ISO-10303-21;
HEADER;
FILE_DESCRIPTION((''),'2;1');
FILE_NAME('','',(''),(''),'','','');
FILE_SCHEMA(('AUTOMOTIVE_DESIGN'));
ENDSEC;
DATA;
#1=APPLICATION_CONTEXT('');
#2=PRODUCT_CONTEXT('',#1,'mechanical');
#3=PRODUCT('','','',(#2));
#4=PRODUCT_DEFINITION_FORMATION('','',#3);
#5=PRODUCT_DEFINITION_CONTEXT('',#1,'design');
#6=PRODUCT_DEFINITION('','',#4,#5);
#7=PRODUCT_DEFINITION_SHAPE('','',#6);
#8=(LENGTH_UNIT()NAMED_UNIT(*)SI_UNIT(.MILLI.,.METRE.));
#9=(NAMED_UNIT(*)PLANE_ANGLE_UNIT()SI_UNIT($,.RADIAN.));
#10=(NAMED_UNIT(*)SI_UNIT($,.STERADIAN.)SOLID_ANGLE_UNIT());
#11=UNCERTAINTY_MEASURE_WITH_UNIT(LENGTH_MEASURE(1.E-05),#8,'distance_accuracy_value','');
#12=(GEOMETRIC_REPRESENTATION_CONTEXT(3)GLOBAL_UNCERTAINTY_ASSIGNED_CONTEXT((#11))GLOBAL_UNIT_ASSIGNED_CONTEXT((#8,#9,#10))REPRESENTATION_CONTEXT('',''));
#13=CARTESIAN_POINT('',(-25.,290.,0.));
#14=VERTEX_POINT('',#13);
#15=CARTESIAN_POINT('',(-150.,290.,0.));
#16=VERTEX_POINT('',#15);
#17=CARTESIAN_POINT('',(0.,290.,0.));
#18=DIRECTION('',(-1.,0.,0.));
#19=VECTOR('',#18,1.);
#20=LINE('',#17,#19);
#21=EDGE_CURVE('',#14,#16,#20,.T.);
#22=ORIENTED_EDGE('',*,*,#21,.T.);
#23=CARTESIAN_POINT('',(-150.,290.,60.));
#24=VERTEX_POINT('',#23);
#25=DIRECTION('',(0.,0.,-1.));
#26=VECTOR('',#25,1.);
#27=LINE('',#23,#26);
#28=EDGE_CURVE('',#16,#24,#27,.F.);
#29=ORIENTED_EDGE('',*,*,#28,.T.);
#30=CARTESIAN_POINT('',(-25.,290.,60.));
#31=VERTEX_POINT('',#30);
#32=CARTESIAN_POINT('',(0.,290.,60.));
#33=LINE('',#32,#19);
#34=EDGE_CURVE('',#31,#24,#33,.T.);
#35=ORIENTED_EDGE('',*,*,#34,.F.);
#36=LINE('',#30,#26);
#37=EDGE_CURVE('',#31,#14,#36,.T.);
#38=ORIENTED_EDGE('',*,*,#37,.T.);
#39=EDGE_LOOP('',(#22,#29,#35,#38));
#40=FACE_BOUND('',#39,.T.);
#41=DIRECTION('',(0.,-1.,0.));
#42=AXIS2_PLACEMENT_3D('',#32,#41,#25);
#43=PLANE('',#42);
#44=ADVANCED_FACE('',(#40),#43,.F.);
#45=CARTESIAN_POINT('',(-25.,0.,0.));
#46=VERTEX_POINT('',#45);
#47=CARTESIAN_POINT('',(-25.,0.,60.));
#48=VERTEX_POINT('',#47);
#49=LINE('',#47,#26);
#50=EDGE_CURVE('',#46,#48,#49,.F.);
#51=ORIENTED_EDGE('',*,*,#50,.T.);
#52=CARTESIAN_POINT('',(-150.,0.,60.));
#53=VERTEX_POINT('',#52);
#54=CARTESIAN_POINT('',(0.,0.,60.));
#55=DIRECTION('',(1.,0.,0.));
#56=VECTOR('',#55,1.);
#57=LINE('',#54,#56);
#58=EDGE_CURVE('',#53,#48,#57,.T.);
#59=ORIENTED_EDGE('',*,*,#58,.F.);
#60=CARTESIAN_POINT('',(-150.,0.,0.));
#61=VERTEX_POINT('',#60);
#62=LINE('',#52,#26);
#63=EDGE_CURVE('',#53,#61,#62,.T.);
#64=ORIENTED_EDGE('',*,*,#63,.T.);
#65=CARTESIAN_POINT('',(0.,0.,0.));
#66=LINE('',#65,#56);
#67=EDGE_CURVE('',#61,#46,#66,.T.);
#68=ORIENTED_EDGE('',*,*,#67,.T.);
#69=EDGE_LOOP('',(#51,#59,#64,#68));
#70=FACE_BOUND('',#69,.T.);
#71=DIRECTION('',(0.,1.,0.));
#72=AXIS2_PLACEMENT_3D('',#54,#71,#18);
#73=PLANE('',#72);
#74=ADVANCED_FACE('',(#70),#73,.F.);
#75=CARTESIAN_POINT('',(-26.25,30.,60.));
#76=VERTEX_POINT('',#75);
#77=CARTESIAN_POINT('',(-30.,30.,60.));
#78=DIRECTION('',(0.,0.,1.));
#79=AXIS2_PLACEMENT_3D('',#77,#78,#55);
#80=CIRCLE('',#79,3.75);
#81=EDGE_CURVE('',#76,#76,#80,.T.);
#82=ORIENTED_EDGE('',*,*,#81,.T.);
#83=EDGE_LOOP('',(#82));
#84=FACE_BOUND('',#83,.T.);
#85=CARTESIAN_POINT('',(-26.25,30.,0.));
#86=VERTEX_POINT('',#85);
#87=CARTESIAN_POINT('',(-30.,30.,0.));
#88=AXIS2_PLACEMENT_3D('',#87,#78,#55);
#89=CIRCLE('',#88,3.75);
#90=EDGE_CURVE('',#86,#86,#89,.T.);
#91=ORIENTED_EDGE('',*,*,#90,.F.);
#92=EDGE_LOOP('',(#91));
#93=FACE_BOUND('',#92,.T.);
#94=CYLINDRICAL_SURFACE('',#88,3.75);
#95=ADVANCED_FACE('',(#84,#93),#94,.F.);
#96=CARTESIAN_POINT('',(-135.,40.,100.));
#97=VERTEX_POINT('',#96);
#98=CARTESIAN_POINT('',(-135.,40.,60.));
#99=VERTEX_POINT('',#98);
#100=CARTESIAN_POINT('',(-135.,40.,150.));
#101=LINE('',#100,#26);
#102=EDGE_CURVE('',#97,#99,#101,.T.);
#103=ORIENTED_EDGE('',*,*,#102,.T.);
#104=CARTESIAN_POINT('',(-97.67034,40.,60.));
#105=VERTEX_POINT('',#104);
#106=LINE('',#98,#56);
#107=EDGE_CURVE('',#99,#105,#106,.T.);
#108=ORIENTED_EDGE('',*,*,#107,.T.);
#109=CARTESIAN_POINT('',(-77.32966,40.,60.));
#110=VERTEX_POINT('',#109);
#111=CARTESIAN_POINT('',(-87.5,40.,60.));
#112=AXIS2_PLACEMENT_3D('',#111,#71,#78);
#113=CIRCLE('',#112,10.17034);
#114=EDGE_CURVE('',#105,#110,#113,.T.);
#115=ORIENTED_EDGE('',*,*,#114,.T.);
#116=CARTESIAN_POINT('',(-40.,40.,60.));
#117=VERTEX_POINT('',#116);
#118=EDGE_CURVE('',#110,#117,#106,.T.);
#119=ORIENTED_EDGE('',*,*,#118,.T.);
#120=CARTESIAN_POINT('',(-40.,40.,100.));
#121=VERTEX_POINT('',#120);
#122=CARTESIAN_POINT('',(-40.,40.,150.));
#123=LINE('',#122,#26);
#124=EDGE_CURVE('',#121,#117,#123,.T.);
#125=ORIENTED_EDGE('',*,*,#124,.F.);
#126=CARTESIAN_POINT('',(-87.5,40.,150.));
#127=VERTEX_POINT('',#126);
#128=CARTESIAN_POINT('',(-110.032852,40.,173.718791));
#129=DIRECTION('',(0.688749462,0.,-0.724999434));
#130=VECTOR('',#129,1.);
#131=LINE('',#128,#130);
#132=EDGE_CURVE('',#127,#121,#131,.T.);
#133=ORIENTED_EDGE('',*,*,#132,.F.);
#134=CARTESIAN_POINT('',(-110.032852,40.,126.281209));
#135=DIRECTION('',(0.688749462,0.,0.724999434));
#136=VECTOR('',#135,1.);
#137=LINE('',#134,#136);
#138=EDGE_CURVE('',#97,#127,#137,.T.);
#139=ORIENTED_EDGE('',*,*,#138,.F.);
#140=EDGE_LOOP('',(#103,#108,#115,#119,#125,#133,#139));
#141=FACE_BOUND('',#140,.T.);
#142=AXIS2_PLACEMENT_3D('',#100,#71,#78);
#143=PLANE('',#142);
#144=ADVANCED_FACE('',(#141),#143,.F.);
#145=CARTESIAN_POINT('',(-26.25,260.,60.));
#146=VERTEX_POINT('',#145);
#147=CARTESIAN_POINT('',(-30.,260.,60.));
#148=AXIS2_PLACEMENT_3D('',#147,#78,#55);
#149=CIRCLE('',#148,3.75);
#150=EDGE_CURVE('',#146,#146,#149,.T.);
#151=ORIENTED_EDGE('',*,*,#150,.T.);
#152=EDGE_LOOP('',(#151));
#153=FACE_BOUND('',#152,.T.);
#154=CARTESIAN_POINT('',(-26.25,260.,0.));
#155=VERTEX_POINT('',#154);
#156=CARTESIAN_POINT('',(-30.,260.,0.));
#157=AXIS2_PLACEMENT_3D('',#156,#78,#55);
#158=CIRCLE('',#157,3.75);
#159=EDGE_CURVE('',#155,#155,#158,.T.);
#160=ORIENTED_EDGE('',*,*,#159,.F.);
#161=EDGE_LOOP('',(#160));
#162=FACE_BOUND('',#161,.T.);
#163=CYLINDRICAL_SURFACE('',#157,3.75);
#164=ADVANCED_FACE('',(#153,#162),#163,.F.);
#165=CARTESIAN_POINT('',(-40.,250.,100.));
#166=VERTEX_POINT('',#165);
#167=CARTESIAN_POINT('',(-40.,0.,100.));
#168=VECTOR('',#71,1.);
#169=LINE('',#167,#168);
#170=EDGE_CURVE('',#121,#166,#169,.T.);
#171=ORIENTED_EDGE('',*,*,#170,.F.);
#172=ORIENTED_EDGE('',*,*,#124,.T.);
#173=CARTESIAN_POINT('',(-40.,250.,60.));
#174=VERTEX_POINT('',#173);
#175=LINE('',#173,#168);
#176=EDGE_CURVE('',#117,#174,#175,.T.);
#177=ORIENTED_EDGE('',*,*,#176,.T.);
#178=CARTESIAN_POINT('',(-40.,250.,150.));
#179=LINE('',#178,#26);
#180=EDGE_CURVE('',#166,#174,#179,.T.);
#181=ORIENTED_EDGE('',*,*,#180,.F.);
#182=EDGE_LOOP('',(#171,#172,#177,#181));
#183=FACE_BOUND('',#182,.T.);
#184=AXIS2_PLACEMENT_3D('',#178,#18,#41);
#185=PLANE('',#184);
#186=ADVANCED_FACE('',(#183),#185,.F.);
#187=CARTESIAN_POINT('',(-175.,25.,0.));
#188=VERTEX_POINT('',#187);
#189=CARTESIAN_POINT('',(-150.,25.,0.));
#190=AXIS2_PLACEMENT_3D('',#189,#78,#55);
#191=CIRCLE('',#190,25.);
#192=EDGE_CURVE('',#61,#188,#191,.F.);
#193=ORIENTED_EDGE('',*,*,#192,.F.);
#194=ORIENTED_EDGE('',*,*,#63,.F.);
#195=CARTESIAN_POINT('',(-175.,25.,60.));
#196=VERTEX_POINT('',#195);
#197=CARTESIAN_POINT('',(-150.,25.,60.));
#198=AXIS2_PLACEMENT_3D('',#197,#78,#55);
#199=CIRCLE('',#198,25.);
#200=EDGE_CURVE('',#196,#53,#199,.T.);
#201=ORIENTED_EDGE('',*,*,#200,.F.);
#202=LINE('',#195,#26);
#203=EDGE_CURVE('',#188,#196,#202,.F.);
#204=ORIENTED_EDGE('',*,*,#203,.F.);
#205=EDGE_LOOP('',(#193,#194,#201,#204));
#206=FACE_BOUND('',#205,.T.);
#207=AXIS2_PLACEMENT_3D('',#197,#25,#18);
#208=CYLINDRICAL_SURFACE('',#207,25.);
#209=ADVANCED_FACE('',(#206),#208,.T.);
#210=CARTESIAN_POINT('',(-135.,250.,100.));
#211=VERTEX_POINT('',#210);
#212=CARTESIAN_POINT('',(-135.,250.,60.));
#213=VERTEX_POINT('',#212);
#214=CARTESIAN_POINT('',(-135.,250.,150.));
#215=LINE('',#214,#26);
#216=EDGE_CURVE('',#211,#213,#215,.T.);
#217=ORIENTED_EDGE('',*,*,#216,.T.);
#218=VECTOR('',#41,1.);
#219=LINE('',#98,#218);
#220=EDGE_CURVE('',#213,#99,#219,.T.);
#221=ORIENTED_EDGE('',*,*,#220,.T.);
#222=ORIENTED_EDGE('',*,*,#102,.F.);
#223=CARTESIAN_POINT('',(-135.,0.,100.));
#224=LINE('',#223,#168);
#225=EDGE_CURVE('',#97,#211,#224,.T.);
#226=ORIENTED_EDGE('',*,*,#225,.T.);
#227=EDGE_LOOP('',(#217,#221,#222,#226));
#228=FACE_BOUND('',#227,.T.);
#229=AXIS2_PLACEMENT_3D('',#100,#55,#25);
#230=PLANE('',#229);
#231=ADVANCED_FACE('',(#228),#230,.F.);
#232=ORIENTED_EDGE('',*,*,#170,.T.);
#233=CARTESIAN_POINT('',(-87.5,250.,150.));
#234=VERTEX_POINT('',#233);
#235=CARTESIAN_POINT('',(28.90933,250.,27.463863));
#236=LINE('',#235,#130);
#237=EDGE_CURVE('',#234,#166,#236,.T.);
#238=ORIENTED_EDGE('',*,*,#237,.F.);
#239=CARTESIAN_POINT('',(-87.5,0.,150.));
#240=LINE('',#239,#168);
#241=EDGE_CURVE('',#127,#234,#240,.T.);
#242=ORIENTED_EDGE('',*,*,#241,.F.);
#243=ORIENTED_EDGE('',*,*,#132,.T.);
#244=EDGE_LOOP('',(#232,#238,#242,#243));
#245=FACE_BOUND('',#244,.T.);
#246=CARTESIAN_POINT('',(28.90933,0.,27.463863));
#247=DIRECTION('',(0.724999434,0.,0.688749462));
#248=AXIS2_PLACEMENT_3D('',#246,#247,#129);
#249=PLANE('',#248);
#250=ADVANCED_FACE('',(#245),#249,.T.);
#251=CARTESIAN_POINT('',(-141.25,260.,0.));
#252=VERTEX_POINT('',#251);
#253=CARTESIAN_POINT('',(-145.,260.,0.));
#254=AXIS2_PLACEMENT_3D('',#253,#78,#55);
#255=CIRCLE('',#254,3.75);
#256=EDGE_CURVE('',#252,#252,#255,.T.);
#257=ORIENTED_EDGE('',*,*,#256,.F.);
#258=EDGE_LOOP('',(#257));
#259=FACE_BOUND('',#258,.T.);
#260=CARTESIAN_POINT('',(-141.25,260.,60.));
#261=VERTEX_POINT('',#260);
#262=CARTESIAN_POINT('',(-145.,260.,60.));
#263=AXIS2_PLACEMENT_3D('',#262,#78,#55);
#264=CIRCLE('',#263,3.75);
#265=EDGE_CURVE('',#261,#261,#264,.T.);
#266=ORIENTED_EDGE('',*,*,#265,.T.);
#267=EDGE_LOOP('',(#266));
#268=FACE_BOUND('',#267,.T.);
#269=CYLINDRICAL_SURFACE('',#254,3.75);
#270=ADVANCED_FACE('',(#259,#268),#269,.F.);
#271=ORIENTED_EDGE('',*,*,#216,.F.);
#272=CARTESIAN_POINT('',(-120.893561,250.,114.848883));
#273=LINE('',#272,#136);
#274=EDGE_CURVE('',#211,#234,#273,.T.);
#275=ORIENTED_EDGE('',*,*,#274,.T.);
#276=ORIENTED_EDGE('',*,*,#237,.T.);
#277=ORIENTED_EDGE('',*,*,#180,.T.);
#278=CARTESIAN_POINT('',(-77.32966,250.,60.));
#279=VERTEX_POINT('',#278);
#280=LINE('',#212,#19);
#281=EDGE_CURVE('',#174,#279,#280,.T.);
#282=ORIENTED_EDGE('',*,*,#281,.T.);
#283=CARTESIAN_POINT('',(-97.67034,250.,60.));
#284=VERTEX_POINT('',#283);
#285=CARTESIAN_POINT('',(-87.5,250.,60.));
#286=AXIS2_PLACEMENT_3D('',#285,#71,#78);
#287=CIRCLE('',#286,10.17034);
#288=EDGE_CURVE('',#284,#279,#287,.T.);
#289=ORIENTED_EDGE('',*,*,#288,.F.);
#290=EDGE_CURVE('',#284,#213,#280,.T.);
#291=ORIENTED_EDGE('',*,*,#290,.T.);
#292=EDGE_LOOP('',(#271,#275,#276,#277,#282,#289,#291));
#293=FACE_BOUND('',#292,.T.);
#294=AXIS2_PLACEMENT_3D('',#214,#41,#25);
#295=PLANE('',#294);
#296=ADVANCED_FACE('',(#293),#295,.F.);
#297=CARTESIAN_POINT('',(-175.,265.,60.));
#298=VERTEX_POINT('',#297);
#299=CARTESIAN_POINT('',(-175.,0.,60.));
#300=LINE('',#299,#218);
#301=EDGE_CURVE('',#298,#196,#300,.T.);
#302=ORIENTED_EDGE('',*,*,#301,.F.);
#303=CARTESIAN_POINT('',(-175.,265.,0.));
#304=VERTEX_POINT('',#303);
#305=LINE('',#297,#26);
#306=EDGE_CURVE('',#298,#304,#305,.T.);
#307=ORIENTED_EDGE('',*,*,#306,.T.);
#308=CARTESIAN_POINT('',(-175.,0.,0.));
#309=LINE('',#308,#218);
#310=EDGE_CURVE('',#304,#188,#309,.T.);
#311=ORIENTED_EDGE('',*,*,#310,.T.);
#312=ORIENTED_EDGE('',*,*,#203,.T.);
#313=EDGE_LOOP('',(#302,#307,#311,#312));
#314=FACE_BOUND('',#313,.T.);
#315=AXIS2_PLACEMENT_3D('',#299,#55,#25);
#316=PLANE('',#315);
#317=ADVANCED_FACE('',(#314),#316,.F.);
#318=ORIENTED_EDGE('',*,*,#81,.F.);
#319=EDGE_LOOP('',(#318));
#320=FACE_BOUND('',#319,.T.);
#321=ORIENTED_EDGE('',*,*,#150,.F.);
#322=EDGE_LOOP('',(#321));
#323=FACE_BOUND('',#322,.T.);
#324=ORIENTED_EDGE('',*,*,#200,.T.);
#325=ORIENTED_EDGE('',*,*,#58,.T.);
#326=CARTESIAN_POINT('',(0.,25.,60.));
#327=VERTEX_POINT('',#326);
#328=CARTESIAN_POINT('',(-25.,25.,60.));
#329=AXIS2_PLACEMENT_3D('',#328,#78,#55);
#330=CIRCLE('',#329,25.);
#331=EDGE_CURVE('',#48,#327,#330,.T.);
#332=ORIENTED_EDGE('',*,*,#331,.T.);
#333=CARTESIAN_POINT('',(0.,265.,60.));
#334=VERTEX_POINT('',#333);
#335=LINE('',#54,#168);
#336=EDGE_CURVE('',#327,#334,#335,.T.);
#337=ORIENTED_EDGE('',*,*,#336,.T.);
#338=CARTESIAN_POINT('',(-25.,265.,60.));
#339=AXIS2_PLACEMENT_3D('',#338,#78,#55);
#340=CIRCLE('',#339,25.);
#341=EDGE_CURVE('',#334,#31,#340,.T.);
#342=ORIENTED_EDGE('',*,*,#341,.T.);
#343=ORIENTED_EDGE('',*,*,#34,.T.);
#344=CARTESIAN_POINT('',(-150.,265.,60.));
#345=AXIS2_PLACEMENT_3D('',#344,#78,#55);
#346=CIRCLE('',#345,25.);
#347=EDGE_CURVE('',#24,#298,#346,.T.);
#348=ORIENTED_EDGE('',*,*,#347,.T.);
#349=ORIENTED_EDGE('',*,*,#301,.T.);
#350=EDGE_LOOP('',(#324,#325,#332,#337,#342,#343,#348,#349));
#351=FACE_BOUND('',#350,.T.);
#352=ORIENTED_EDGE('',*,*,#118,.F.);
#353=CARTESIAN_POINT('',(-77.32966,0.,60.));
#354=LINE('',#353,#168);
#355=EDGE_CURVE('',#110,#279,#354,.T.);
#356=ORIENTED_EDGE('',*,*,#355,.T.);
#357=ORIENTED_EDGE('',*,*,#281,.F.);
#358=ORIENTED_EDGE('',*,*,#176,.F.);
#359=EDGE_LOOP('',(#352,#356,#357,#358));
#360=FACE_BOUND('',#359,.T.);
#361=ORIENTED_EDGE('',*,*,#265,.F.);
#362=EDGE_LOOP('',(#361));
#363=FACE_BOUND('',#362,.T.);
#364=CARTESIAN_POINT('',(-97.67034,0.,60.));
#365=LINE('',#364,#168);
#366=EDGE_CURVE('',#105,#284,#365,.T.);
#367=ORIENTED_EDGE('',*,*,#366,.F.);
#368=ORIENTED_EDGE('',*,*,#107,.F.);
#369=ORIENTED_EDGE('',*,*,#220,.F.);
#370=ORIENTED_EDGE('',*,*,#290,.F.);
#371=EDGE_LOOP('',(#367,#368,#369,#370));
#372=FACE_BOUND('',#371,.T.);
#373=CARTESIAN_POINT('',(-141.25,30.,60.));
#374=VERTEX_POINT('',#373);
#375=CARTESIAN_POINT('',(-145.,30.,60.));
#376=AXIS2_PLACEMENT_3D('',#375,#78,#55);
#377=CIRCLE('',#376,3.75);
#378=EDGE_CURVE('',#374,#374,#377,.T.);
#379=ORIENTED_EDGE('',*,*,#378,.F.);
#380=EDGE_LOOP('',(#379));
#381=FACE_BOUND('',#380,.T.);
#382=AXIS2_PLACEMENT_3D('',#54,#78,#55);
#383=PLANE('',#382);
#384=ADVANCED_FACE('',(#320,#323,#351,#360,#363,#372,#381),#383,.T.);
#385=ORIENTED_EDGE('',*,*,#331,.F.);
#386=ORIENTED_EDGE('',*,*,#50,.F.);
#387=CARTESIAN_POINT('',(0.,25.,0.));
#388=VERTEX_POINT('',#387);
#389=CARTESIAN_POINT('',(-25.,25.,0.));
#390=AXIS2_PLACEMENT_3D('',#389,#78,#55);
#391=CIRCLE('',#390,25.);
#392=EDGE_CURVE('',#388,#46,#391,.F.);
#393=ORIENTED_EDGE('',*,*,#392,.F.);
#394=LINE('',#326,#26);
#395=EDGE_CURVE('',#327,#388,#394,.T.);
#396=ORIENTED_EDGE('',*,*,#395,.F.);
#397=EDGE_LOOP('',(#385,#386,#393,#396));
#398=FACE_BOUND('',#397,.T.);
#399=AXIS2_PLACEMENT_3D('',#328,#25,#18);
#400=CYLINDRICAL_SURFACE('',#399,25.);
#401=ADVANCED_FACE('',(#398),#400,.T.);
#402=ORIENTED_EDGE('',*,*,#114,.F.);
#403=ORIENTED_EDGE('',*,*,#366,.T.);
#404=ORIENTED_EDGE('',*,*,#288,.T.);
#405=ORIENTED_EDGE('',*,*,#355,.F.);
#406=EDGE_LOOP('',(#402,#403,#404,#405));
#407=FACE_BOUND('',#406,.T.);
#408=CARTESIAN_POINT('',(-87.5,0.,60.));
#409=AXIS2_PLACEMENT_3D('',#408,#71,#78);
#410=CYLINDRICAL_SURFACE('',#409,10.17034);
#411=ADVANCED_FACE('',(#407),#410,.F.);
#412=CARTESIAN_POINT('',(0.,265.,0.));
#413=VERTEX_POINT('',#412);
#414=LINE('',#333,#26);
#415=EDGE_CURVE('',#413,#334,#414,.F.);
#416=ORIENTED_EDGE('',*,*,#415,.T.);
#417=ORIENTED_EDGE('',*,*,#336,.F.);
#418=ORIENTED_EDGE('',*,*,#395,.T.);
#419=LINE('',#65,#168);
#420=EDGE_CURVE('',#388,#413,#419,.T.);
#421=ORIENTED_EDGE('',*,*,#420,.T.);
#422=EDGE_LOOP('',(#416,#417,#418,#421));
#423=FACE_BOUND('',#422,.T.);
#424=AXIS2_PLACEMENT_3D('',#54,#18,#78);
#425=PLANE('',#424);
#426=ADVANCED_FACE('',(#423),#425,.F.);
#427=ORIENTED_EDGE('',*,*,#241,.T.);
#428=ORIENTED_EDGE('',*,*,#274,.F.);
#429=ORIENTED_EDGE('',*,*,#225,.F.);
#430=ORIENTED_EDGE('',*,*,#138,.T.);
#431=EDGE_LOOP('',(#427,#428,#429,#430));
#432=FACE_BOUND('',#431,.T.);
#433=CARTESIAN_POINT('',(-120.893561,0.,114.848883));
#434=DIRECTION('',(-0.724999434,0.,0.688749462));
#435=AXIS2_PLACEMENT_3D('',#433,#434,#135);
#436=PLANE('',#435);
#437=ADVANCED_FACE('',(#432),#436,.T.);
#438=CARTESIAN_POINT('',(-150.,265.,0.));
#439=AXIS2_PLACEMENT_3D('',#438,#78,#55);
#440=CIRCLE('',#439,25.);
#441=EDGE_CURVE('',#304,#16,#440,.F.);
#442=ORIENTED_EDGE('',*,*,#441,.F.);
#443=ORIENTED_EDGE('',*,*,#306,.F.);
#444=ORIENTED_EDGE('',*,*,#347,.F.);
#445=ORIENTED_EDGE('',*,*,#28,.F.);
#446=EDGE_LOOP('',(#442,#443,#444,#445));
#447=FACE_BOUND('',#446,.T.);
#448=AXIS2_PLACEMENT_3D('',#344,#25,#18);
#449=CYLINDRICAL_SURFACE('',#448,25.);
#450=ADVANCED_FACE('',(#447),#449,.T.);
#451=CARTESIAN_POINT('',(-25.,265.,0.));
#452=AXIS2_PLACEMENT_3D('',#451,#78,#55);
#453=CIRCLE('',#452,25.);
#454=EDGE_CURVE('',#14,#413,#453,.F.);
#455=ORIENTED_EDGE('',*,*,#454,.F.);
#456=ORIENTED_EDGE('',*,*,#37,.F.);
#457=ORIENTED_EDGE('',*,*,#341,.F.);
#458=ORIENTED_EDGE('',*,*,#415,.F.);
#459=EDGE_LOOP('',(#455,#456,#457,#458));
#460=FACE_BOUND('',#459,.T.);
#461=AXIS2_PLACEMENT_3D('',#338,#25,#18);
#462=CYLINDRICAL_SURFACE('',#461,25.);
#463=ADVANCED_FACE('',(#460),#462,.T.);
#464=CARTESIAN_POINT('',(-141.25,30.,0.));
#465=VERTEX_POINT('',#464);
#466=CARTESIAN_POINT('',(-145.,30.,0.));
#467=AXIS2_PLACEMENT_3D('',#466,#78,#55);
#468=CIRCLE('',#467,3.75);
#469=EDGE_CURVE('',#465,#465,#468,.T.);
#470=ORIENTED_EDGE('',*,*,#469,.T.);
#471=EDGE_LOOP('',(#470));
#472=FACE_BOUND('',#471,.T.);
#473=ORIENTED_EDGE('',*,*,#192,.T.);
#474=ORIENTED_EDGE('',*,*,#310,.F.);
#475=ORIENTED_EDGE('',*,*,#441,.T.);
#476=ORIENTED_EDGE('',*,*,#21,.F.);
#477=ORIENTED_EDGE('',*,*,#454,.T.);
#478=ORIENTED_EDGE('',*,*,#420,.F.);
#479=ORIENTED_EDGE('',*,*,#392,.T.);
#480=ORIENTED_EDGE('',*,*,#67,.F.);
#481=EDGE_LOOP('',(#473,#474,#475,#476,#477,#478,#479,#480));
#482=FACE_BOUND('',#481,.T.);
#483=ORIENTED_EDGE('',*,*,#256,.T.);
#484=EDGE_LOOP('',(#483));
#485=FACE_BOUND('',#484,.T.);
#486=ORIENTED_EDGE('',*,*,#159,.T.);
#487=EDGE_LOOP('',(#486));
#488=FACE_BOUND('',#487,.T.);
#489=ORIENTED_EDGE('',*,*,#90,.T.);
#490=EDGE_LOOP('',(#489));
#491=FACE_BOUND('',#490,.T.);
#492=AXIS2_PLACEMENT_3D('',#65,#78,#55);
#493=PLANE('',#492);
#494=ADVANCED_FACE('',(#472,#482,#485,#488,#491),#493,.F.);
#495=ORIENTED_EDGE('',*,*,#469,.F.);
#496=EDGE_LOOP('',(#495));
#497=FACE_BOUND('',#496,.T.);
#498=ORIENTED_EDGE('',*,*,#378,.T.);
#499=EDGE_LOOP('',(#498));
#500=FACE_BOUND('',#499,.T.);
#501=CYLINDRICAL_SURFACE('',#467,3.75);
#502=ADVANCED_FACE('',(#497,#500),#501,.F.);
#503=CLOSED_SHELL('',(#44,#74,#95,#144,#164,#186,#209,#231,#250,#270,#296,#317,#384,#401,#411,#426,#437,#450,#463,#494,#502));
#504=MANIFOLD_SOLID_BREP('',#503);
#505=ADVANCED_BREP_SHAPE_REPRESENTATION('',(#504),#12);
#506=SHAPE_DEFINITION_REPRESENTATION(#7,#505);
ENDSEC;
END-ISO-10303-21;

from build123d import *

# Parameters (mm, degrees)
IZIM4_W                     = 175
IZIM4_H                     = 290
Y_KSEKLIK_EKSTR_ZYON5_DEPTH = 60
RADYUS4_R                   = 25
KES_EKSTR_ZYON2_DEPTH       = 344.984011256
KES_EKSTR_ZYON2_DEPTH_BACK  = 344.984011256
IZIM8_R                     = 3.75
IZIM9_W                     = 95
IZIM9_H                     = 210
Y_KSEKLIK_EKSTR_ZYON8_DEPTH = 90
KES_EKSTR_ZYON4_DEPTH       = 341.036762718
KES_EKSTR_ZYON8_DEPTH       = 341.036762718


with BuildPart() as part:
    # Çizim4 → Yükseklik-Ekstrüzyon5 (new body)
    with BuildSketch(Plane.XY):
        with Locations((-87.5, 145)):
            Rectangle(IZIM4_W, IZIM4_H)
    extrude(amount=Y_KSEKLIK_EKSTR_ZYON5_DEPTH)

    # Radyus4
    radyus4_edges = [part.edges().sort_by_distance(p)[0] for p in [
        (0, 0, 30),
        (-175, 0, 30),
        (-175, 290, 30),
        (0, 290, 30),
    ]]
    fillet(radyus4_edges, radius=RADYUS4_R)

    # Çizim8 → Kes-Ekstrüzyon2 (cut, two sides: drawn at the far end of the back side and taken through both)
    with BuildSketch(Plane.XY.offset(60).offset(-KES_EKSTR_ZYON2_DEPTH_BACK)):
        with Locations((-145, 30)):
            Circle(IZIM8_R)
        with Locations((-30, 30)):
            Circle(IZIM8_R)
        with Locations((-145, 260)):
            Circle(IZIM8_R)
        with Locations((-30, 260)):
            Circle(IZIM8_R)
    extrude(amount=KES_EKSTR_ZYON2_DEPTH + KES_EKSTR_ZYON2_DEPTH_BACK, mode=Mode.SUBTRACT)

    # Çizim9 → Yükseklik-Ekstrüzyon8 (add)
    with BuildSketch(Plane.XY.offset(60)):
        with Locations((-87.5, 145)):
            Rectangle(IZIM9_W, IZIM9_H)
    extrude(amount=Y_KSEKLIK_EKSTR_ZYON8_DEPTH)

    # Çizim11 → Kes-Ekstrüzyon4 (cut, through all)
    with BuildSketch(Plane(origin=(0, 250, 0), x_dir=(1, 0, 0), z_dir=(0, 1, 0))):
        Polygon((-40, -100), (-87.5, -150), (-40, -150), align=None)
        Polygon((-87.5, -150), (-135, -100), (-135, -150), align=None)
    extrude(amount=-KES_EKSTR_ZYON4_DEPTH, mode=Mode.SUBTRACT)

    # Çizim16 → Kes-Ekstrüzyon8 (cut, through all)
    with BuildSketch(Plane(origin=(0, 250, 0), x_dir=(1, 0, 0), z_dir=(0, 1, 0))):
        with BuildLine():
            Line((-77.329660293, -60), (-97.670339707, -60))
            ThreePointArc((-97.670339707, -60), (-87.5, -70.170339707), (-77.329660293, -60))
        make_face()
    extrude(amount=-KES_EKSTR_ZYON8_DEPTH, mode=Mode.SUBTRACT)


solid = part.part
